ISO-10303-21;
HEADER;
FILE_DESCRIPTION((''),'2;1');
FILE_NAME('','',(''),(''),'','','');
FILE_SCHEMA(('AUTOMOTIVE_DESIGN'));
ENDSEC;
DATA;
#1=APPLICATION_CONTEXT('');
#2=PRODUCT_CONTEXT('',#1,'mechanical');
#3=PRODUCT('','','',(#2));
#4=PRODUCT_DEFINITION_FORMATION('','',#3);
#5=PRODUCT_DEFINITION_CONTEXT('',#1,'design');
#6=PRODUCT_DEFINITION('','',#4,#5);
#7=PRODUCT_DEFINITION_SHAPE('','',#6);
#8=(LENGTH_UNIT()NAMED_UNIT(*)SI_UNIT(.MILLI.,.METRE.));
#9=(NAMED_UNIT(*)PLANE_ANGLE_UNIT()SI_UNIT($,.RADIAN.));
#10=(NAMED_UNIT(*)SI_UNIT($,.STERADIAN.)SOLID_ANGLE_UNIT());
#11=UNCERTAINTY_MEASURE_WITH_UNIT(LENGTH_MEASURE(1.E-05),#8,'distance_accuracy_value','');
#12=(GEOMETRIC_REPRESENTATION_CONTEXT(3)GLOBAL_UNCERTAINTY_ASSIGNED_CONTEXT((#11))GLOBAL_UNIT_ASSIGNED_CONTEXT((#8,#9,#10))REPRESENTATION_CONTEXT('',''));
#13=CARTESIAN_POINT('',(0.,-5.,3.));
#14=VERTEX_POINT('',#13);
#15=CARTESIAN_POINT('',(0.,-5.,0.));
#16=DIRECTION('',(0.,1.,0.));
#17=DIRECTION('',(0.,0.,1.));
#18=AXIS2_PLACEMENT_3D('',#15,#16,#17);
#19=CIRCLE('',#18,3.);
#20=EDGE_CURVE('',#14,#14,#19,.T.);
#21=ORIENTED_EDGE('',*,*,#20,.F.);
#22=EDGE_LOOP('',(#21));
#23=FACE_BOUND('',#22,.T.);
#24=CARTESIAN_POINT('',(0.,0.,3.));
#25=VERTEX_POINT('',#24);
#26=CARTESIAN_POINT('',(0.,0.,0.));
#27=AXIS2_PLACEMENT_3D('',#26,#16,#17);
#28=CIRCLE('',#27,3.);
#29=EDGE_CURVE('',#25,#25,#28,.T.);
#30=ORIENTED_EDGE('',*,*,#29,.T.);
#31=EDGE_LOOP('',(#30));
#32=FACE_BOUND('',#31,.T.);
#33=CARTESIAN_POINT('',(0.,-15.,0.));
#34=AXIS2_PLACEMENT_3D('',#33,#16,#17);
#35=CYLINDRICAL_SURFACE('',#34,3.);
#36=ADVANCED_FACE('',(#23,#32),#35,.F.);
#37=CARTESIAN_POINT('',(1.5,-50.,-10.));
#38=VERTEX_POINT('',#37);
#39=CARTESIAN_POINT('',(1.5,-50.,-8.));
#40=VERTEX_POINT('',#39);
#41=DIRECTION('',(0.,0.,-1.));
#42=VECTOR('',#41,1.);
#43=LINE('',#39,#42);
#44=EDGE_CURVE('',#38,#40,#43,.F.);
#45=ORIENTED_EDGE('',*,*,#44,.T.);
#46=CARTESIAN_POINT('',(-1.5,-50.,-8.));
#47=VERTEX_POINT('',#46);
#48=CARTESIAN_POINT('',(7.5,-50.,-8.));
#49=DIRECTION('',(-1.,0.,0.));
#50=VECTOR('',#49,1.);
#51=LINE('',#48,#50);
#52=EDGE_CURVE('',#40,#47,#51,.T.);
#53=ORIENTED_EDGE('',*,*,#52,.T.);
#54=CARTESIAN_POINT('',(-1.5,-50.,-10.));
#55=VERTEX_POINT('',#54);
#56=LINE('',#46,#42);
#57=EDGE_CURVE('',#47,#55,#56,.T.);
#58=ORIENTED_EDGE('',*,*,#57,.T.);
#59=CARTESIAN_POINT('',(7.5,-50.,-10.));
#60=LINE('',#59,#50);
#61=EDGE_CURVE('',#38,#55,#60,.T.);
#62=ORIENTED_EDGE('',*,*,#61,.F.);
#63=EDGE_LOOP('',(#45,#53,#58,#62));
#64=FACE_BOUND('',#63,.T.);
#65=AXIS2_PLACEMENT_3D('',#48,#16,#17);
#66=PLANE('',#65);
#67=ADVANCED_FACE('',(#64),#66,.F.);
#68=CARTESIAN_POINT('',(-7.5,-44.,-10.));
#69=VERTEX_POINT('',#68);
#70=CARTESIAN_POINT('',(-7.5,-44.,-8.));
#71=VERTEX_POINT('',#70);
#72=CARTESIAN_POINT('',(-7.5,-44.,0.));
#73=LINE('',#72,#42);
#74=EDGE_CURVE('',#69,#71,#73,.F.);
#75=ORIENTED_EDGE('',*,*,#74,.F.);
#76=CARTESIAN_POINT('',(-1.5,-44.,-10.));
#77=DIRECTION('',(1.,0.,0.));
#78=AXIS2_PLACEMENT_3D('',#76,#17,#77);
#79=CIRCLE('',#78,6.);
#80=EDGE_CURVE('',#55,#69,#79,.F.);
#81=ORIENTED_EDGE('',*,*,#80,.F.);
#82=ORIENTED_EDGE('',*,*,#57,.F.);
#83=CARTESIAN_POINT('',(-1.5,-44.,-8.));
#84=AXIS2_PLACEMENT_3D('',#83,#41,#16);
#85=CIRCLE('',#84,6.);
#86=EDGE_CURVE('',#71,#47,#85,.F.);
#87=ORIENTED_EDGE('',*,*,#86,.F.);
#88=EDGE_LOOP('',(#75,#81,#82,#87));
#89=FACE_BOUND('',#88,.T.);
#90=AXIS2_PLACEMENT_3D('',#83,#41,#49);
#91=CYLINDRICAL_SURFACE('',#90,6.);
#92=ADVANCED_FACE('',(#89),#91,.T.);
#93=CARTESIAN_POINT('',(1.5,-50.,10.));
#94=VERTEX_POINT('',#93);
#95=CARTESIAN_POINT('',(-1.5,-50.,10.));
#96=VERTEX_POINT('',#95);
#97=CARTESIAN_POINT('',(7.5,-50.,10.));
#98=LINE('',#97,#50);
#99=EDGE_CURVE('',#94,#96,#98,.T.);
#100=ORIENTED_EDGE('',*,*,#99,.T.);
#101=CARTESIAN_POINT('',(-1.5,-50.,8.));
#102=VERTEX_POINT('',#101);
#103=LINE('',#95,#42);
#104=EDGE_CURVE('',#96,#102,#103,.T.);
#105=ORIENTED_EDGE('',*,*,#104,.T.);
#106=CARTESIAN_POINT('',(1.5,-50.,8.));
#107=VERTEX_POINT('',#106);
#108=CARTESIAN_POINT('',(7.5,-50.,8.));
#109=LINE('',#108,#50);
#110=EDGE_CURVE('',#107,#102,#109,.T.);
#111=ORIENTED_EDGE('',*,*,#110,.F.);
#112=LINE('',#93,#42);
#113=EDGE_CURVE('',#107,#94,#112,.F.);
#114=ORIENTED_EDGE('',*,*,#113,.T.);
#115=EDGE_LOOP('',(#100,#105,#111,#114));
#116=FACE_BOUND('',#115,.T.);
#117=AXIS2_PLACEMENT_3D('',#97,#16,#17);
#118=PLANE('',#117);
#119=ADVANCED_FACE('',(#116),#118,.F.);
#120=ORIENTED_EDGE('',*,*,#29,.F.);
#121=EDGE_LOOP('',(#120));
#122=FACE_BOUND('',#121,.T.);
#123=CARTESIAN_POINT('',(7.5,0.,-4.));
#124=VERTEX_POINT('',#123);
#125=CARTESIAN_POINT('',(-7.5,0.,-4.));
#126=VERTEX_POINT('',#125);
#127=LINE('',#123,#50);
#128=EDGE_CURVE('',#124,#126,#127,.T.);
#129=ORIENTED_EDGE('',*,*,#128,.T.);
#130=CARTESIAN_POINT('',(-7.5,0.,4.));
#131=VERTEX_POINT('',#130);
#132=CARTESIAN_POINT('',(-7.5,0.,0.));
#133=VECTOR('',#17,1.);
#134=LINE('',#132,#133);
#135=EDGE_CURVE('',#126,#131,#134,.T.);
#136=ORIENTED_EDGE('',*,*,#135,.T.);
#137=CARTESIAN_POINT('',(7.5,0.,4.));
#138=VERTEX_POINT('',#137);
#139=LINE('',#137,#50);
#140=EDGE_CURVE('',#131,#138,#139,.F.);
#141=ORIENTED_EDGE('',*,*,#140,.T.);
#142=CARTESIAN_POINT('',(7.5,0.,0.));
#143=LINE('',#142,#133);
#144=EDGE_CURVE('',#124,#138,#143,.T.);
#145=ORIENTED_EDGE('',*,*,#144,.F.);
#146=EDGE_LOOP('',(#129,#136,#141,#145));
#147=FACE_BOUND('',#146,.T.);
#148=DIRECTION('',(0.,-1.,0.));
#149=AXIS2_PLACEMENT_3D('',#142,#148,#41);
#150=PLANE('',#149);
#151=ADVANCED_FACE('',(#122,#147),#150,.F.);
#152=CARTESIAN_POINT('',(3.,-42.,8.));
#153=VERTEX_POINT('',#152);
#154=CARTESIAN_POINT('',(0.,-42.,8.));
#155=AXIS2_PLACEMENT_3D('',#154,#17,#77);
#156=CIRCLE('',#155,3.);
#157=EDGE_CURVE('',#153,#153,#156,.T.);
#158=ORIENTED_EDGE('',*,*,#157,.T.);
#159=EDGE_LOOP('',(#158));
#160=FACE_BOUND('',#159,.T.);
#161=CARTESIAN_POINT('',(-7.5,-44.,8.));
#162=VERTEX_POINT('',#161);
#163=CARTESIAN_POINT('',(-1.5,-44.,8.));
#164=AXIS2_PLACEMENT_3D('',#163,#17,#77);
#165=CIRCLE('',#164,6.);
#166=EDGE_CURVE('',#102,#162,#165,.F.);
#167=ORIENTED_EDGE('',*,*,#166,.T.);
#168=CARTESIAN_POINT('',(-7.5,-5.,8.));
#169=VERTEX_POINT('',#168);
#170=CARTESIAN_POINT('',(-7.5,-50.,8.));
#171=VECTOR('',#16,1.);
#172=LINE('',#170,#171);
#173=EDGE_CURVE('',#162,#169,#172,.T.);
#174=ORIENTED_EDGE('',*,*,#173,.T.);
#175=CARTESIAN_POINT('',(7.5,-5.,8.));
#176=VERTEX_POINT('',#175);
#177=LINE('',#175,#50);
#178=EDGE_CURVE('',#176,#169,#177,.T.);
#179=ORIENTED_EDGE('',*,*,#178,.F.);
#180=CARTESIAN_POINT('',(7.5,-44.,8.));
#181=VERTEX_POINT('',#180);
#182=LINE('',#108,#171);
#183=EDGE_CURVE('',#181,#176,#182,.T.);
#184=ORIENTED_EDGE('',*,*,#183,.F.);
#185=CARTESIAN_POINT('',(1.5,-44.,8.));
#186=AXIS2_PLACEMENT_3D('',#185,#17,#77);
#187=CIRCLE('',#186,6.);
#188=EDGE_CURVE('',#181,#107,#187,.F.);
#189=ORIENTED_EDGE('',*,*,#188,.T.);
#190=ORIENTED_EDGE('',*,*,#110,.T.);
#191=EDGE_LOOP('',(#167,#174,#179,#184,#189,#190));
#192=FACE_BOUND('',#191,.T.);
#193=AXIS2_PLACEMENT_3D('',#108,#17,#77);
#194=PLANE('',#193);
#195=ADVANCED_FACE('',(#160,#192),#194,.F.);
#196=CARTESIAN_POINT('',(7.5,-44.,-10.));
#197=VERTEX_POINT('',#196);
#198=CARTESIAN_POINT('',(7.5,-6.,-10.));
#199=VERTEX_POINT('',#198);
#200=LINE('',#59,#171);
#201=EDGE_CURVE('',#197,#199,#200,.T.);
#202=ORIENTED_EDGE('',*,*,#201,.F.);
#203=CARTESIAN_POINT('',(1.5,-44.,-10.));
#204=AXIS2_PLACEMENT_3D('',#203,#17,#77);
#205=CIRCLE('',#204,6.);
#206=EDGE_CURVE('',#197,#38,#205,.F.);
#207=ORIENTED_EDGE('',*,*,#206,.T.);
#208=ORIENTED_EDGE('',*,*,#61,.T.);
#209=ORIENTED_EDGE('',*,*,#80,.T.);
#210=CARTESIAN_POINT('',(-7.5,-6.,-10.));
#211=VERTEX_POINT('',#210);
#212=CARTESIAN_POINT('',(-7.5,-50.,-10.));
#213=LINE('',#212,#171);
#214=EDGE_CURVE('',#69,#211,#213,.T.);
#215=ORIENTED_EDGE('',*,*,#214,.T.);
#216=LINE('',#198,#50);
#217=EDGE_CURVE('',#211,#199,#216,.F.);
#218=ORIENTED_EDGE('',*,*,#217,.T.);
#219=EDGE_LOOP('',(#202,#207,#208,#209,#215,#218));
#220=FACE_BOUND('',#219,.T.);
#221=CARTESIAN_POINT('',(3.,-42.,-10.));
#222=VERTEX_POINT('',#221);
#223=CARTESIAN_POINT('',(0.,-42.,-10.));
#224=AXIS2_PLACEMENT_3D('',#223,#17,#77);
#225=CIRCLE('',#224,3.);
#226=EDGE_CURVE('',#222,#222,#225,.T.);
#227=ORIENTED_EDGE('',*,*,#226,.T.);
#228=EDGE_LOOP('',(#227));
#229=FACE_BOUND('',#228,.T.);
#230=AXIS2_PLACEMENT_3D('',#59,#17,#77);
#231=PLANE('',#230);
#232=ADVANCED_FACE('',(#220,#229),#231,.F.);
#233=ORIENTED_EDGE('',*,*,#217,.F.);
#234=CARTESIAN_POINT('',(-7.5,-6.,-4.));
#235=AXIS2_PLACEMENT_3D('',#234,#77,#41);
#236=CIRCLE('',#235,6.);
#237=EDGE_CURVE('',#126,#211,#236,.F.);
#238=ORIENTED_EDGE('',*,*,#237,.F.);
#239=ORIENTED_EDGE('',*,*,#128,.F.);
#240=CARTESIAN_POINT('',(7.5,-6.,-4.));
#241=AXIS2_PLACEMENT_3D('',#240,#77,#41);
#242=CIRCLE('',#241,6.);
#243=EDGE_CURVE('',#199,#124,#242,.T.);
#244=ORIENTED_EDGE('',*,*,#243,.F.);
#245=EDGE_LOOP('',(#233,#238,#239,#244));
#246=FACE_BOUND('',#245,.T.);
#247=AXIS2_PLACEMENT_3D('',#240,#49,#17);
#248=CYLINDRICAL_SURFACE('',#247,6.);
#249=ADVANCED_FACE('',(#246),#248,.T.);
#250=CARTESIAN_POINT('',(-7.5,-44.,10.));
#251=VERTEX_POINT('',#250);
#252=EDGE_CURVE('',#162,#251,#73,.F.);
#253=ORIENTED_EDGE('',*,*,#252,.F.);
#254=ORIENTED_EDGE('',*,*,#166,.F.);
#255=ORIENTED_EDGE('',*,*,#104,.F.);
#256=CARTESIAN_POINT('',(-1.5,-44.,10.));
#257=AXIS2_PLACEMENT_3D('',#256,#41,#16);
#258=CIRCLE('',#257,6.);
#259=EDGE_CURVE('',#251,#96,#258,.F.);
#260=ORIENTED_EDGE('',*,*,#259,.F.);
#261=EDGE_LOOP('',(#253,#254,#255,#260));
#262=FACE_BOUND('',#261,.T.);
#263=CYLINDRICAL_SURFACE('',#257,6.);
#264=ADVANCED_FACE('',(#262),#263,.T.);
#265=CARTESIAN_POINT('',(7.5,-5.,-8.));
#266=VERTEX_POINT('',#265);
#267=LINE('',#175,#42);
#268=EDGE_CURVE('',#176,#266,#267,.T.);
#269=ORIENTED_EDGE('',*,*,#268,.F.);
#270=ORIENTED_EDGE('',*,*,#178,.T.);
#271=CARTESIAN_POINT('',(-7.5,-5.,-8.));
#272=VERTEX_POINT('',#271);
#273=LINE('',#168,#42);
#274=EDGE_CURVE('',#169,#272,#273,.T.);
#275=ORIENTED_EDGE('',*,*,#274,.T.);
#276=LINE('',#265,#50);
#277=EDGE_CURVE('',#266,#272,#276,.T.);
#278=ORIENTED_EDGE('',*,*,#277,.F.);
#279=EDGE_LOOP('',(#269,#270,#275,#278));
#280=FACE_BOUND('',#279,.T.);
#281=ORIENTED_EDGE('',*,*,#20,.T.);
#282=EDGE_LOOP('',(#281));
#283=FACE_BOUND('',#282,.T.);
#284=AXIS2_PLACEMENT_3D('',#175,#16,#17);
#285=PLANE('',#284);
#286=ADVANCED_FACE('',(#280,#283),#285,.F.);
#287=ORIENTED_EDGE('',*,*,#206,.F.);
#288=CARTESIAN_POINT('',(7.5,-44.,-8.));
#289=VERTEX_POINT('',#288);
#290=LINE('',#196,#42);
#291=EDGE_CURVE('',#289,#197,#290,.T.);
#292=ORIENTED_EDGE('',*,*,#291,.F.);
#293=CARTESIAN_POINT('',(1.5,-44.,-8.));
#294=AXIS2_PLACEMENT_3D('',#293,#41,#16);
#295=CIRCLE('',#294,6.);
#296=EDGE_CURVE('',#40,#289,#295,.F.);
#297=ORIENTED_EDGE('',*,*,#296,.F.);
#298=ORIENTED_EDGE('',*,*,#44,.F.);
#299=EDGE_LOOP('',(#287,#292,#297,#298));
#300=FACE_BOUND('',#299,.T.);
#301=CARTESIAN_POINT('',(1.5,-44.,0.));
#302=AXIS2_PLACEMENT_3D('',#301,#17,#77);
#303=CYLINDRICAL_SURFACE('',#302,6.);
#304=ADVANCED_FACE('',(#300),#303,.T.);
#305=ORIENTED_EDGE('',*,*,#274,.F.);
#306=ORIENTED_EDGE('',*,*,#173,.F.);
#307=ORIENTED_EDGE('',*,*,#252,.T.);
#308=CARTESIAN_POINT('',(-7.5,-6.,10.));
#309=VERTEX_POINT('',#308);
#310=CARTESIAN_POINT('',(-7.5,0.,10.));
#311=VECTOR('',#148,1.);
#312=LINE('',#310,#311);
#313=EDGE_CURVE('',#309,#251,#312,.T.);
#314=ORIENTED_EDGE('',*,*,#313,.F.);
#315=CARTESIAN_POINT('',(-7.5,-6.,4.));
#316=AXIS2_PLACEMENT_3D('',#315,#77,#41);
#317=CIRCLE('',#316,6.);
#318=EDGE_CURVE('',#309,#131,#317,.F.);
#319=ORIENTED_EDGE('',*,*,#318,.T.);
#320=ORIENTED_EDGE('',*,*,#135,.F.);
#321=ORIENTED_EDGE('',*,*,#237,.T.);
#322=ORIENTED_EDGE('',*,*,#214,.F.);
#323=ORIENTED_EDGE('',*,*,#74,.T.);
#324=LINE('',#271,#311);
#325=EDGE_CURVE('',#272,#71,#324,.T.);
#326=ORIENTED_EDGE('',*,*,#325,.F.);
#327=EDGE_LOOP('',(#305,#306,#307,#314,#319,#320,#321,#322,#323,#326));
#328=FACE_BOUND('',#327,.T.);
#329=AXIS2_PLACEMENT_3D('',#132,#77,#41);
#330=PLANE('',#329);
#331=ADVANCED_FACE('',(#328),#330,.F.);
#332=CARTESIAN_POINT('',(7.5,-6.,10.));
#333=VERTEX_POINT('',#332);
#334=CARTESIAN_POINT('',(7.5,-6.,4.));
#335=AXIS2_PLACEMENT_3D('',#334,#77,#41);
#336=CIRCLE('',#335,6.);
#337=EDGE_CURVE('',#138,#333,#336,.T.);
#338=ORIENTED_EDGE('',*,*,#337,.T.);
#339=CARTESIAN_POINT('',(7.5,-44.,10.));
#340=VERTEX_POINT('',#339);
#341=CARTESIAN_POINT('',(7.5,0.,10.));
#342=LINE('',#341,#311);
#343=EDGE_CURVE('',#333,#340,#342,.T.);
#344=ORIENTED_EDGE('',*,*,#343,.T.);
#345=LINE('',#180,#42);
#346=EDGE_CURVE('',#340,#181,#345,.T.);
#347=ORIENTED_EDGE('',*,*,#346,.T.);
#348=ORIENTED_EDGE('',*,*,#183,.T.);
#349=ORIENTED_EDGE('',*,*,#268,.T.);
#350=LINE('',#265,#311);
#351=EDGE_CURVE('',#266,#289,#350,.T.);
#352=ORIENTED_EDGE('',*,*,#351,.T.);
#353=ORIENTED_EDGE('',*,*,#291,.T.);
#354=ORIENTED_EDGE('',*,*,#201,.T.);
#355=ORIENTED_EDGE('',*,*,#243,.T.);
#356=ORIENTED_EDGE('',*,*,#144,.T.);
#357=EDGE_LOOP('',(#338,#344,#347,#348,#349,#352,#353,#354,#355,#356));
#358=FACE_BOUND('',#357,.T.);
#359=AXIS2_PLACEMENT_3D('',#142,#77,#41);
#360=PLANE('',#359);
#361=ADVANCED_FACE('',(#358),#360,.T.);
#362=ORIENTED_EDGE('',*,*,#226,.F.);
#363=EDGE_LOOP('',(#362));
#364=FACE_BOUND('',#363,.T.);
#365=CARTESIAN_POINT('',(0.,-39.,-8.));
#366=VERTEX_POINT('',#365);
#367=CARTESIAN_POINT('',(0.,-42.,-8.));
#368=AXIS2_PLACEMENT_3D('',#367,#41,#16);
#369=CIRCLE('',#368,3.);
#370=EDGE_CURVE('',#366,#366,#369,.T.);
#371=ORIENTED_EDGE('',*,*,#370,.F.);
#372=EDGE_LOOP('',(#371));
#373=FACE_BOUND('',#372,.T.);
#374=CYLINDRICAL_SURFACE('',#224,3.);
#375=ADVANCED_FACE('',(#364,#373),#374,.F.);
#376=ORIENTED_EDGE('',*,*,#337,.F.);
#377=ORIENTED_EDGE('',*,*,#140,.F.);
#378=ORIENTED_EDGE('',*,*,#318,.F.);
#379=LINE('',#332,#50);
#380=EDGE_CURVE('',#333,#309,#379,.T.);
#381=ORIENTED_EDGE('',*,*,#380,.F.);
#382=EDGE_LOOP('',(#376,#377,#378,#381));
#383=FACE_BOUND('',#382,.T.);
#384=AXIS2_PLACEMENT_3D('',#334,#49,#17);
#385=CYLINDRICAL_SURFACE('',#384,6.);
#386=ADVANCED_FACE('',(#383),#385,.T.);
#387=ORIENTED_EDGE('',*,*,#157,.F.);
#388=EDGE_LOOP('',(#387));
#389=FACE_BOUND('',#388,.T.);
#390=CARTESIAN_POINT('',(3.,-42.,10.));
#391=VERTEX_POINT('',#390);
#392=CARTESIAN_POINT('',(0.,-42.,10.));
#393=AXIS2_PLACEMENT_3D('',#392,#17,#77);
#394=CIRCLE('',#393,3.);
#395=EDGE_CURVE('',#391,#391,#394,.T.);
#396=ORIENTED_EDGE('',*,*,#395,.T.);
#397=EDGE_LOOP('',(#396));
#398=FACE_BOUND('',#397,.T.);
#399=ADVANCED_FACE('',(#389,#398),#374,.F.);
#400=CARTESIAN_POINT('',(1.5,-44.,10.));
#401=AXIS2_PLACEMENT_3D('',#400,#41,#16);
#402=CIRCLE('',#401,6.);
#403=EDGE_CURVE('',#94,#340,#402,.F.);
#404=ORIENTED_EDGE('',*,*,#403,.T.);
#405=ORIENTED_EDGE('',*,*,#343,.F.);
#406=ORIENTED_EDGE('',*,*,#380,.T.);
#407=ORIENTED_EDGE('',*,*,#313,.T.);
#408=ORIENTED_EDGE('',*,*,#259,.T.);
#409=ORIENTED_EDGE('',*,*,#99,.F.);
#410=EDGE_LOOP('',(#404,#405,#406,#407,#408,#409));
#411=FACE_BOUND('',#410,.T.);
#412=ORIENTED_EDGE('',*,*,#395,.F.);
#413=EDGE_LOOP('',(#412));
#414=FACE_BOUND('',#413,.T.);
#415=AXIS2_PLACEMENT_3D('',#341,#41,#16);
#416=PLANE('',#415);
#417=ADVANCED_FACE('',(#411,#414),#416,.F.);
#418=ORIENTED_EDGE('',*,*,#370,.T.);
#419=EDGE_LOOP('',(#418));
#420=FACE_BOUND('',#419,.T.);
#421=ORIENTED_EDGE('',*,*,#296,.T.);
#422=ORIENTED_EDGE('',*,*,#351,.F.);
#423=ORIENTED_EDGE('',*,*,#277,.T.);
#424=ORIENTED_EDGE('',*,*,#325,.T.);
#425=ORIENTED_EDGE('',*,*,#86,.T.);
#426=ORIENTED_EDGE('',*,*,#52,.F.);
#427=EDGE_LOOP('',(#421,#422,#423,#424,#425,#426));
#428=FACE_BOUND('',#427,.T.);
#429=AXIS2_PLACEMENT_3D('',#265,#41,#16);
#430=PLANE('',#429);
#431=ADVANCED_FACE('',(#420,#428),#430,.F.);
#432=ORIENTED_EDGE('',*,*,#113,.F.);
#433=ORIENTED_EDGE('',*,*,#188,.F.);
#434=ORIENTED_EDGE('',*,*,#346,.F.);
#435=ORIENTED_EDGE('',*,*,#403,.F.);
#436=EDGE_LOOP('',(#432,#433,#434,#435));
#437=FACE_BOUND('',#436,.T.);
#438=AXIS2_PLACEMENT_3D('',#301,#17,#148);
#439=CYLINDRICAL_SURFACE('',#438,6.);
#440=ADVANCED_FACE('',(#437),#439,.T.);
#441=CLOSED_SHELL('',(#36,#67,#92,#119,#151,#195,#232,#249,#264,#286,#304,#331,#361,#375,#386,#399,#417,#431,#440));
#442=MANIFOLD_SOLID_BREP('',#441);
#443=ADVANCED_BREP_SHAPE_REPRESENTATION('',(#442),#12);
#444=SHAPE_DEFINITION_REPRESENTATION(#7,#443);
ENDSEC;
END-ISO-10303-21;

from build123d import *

# Parameters (mm, degrees)
BOSS_EXTRUDE1_DEPTH = 7.5
SKETCH2_R           = 3
CUT_EXTRUDE1_DEPTH  = 15
SKETCH3_R           = 3
CUT_EXTRUDE2_DEPTH  = 55.371407927
FILLET1_R           = 6


with BuildPart() as part:
    # Sketch1 → Boss-Extrude1 (new, symmetric)
    with BuildSketch(Plane(origin=(0, 0, 0), x_dir=(0, 0, -1), z_dir=(1, 0, 0))):
        Polygon((0, 0), (-10, 0), (-10, -50), (-8, -50), (-8, -5), (8, -5), (8, -50), (10, -50), (10, 0), align=None)
    extrude(amount=BOSS_EXTRUDE1_DEPTH, both=True)

    # Sketch2 → Cut-Extrude1 (cut)
    with BuildSketch(Plane(origin=(0, 0, 0), x_dir=(1, 0, 0), z_dir=(0, 1, 0))):
        with Locations(Location((0, 0, 0), (0, 0, 270))):
            Circle(SKETCH2_R)
    extrude(amount=-CUT_EXTRUDE1_DEPTH, mode=Mode.SUBTRACT)

    # Sketch3 → Cut-Extrude2 (cut, through all)
    with BuildSketch(Plane.XY.offset(10)):
        with Locations((0, -42)):
            Circle(SKETCH3_R)
    extrude(amount=-CUT_EXTRUDE2_DEPTH, mode=Mode.SUBTRACT)

    # Fillet1
    fillet1_edges = [part.edges().sort_by_distance(p)[0] for p in [
        (-7.5, -50, 9),
        (0, 0, -10),
        (0, 0, 10),
        (7.5, -50, 9),
        (7.5, -50, -9),
        (-7.5, -50, -9),
    ]]
    fillet(fillet1_edges, radius=FILLET1_R)


solid = part.part
